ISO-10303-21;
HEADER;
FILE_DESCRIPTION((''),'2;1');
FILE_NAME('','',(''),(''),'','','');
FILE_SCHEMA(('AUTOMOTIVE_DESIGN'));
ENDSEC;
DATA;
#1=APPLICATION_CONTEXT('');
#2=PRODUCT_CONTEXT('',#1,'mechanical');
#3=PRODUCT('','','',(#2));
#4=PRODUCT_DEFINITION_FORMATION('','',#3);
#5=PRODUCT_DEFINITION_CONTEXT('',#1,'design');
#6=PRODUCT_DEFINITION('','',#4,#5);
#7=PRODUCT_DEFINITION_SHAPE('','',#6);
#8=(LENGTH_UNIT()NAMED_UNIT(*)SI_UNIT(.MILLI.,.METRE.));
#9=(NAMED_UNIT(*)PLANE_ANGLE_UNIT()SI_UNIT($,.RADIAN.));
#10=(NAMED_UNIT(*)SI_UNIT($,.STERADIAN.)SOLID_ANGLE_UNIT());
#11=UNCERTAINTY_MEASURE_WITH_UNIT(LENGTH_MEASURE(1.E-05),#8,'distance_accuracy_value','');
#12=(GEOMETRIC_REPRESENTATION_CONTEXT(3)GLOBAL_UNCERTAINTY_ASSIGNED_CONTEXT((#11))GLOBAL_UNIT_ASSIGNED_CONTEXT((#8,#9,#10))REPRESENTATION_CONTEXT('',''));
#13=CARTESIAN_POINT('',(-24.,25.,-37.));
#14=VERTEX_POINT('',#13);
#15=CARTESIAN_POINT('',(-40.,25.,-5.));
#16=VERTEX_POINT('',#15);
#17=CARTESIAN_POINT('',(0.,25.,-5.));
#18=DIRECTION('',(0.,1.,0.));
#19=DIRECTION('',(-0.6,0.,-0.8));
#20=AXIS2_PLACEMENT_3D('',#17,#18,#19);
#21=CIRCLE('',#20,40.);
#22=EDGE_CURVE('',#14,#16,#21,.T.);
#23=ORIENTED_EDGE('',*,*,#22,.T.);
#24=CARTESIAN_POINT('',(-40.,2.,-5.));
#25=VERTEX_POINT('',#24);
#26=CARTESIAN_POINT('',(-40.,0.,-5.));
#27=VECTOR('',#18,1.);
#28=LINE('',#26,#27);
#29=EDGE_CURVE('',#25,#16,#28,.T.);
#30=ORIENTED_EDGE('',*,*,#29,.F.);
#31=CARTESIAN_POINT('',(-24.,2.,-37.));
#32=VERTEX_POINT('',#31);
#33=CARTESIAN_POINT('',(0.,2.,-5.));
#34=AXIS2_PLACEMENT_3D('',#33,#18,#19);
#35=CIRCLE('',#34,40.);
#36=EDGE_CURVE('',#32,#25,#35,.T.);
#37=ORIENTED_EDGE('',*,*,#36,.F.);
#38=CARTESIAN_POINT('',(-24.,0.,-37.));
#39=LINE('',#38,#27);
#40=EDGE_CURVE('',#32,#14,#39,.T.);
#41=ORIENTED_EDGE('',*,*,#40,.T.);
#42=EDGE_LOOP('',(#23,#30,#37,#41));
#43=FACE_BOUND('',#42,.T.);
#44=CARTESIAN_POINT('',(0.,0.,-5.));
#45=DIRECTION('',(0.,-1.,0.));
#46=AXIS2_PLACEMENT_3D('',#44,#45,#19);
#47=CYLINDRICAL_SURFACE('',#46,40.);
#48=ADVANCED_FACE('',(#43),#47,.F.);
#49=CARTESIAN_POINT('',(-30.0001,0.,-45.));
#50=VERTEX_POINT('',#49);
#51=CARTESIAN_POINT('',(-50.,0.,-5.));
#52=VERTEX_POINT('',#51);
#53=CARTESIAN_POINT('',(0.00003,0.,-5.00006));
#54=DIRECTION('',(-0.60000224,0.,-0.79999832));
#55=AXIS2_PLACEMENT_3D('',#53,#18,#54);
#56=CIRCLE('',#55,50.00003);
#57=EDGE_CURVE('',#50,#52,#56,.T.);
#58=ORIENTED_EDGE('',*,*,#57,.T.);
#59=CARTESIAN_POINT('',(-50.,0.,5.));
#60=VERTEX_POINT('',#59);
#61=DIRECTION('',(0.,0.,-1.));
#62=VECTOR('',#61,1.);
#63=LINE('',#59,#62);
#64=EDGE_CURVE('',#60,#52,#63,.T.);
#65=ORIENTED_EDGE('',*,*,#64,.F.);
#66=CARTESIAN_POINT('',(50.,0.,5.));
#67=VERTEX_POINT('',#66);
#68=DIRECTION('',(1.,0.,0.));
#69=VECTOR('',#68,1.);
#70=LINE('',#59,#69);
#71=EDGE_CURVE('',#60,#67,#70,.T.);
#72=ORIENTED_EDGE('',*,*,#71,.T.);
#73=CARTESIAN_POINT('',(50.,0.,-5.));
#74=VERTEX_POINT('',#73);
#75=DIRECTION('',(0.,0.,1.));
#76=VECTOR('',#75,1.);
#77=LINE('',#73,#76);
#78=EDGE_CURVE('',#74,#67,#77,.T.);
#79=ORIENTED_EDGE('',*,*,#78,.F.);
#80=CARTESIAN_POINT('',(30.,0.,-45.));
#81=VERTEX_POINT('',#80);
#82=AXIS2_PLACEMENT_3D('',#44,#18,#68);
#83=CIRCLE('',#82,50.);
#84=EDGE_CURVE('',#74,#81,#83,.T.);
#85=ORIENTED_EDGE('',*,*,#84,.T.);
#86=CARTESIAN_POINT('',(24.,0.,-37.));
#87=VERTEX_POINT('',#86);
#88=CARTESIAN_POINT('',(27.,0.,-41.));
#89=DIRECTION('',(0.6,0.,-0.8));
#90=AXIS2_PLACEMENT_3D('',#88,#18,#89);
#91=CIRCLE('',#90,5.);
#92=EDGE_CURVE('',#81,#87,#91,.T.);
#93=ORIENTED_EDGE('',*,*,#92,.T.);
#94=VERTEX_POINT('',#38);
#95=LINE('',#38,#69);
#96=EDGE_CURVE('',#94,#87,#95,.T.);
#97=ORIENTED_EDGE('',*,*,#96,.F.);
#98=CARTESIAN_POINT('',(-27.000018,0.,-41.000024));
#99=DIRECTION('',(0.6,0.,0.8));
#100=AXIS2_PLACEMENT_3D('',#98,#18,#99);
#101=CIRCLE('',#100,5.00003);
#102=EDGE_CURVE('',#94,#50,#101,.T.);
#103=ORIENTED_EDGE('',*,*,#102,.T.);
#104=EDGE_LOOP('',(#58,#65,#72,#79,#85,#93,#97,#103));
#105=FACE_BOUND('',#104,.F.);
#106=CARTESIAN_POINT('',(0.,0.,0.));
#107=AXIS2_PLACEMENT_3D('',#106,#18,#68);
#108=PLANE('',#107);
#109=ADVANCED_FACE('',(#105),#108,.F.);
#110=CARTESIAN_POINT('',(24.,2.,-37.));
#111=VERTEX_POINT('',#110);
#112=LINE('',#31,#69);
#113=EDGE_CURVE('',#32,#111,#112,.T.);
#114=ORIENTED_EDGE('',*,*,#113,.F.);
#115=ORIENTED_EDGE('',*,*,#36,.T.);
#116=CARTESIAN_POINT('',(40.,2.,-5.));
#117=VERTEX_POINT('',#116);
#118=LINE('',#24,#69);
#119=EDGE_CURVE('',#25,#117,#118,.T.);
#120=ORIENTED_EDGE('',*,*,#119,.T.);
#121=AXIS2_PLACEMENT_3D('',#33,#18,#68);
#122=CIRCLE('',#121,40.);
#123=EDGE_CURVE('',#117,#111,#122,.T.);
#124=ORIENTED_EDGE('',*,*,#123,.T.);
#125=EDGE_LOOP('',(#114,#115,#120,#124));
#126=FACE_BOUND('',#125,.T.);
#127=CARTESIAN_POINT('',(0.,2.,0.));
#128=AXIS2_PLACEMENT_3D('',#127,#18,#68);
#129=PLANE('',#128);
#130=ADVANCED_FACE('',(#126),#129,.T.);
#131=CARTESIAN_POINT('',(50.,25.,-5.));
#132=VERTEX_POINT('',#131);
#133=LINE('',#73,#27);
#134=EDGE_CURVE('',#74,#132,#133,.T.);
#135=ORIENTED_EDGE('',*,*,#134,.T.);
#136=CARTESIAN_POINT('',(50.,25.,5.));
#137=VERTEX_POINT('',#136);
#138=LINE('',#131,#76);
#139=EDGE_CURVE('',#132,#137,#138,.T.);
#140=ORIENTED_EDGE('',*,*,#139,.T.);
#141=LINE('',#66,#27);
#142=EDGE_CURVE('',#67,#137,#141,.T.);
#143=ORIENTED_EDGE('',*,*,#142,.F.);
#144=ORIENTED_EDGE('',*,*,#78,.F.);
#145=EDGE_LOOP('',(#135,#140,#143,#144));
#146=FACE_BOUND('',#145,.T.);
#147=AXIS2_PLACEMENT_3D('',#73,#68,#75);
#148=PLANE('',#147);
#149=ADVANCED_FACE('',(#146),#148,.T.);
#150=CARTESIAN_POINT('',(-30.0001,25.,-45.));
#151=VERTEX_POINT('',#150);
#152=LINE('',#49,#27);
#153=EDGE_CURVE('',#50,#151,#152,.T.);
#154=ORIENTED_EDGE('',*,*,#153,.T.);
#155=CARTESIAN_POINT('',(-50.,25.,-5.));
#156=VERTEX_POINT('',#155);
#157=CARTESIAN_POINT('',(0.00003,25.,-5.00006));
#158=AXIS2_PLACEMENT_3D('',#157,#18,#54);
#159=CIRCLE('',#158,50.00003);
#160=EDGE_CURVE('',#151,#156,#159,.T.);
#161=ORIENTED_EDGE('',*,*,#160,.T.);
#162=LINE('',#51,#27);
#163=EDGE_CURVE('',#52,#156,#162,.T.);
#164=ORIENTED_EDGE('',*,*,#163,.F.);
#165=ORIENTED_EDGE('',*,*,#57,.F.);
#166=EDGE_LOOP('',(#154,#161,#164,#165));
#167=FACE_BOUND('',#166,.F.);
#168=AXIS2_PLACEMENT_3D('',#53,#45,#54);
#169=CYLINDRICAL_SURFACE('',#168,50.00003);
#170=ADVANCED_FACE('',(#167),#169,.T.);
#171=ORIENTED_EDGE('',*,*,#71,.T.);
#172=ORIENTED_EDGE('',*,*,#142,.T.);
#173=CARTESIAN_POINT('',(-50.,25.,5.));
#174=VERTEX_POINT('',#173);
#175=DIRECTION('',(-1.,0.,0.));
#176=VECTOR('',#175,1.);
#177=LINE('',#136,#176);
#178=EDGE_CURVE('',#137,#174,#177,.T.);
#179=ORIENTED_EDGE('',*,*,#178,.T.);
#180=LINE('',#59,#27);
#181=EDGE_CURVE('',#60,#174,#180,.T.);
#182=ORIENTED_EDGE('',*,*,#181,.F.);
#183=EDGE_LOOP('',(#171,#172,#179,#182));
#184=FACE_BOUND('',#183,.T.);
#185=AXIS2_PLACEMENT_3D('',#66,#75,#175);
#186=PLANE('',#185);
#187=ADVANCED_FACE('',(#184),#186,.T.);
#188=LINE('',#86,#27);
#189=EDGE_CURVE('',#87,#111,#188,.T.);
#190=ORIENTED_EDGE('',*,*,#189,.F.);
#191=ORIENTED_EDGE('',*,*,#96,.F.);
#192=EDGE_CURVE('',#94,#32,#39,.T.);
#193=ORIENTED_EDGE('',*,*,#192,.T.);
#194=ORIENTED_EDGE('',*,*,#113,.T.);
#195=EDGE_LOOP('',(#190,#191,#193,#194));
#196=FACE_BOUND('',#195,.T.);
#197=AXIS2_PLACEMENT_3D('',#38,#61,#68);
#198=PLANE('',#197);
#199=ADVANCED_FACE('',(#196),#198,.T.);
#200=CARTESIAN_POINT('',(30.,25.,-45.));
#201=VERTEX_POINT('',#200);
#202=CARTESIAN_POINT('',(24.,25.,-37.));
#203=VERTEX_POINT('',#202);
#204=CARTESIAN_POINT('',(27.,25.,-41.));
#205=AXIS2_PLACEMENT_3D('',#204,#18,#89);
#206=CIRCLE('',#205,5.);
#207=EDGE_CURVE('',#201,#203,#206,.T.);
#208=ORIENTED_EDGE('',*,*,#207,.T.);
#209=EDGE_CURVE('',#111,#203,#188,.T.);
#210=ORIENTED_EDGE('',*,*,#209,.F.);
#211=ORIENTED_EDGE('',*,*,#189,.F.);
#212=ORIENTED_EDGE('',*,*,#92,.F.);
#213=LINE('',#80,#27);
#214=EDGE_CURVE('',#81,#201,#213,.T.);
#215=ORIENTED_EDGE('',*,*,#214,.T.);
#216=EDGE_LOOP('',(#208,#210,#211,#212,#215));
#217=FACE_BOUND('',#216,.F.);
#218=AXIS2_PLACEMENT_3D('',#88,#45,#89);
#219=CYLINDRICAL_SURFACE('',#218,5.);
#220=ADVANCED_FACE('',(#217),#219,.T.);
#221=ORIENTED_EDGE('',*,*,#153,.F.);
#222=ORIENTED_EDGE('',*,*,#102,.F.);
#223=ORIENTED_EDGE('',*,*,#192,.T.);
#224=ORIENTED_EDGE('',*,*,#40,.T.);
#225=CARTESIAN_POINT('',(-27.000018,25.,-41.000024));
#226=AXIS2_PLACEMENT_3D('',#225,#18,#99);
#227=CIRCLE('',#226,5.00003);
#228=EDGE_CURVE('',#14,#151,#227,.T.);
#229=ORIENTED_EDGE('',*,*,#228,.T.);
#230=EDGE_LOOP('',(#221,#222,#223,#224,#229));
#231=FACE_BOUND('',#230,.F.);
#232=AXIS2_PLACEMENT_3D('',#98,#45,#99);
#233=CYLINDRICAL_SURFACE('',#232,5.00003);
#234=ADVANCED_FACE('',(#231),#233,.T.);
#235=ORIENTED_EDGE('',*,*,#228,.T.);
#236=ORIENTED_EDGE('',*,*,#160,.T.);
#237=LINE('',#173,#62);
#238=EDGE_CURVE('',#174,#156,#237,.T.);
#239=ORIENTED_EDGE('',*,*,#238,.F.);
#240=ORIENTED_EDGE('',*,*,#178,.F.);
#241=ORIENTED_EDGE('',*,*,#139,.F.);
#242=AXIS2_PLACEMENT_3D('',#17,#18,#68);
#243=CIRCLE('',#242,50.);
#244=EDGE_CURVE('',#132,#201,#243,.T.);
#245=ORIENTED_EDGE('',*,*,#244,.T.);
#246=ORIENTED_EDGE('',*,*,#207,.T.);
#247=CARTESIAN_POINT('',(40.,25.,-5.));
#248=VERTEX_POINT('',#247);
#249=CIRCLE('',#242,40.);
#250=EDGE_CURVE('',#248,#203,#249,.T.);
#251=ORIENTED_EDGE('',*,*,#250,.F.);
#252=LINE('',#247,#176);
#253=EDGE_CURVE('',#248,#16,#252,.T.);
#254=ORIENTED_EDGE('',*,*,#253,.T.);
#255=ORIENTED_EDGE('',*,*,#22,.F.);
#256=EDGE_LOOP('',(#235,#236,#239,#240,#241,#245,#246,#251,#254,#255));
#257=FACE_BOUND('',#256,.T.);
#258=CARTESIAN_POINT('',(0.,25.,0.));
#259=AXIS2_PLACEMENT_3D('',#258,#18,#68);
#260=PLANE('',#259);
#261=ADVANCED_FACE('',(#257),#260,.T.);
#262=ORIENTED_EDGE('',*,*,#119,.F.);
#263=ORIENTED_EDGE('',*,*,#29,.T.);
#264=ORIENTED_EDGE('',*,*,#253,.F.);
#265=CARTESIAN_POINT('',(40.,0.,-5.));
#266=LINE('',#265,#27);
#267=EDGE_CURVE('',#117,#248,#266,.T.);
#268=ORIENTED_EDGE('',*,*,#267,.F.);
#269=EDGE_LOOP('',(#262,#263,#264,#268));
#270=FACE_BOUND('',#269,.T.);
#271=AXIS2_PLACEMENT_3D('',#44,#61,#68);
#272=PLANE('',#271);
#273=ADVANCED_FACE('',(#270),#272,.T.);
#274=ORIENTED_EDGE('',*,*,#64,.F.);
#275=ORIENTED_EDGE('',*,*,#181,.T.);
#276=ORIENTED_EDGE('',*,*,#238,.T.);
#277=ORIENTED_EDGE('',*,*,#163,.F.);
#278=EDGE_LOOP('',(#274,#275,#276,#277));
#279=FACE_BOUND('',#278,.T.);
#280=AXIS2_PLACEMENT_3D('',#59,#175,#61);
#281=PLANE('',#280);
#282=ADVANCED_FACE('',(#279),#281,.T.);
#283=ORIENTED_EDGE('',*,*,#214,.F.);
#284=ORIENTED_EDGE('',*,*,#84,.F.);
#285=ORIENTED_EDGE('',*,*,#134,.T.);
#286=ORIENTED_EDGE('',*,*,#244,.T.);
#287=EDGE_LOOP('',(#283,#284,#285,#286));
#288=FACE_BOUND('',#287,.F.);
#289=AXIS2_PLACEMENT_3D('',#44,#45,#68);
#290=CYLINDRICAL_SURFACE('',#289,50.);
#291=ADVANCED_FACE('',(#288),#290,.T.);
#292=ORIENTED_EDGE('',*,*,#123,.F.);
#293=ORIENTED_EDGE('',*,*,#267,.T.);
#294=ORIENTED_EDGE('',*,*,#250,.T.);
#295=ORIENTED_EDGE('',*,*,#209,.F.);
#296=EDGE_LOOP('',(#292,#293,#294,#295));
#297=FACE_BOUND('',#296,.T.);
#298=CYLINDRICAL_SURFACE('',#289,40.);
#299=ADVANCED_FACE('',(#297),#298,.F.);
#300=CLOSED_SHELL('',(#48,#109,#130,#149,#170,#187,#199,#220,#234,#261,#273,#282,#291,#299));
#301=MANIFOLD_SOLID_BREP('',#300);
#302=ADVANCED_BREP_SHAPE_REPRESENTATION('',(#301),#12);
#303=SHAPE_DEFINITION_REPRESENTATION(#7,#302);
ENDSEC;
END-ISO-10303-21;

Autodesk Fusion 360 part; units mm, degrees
sketch "Sketch1" plane through (0, 0, 0) normal (0, 1, 0) x (1, 0, 0)
  line L0 (50, 5) -> (50, -5)
  line L1 (50, -5) -> (-50, -5)
  line L2 (-50, -5) -> (-50, 5)
  line L3 (0, 5) -> (0, -20)
  line L4 (-50, 5) -> (-40, 5)
  line L5 (-40, 5) -> (0, 5)
  line L6 (40, 5) -> (50, 5)
  line L7 (0, 5) -> (40, 5)
  arc A0 (50, 5) -> (30, 45) centre (0, 5) ccw
  arc A1 (-30.0001, 45) -> (-50, 5) centre (0, 5) ccw
  arc A2 (40, 5) -> (24, 37) centre (0, 5) ccw
  arc A3 (-24, 37) -> (-40, 5) centre (0, 5) ccw
  arc A4 (-24, 37) -> (-30.0001, 45) centre (-27, 41) ccw
  line L8 (-24, 37) -> (24, 37)
  arc A5 (30, 45) -> (24, 37) centre (27, 41) ccw
  dimension "d1" = 10
  dimension "d2" = 100
  dimension "d6" = 10
  dimension "d7" = 10
  dimension "d8" = 50
  dimension "d9" = 50
  dimension "d10" = 10
extrude "Extrude1" add sketch "Sketch1" along normal blind 2 contours L5 L7 A2 A3 L8
extrude "Extrude2" add sketch "Sketch1" along normal blind 50 contours L0 L1 L3 L6 L7 | L6 A0 A2 A5 | L1 L2 L3 L4 L5 | L4 A1 A3 A4
extrude "Extrude3" cut 1 faces at (0, 50, 1.6667) along direction (0, -1, 0) blind 25
equation "d7 = d6"
equation "d10 = d6"
